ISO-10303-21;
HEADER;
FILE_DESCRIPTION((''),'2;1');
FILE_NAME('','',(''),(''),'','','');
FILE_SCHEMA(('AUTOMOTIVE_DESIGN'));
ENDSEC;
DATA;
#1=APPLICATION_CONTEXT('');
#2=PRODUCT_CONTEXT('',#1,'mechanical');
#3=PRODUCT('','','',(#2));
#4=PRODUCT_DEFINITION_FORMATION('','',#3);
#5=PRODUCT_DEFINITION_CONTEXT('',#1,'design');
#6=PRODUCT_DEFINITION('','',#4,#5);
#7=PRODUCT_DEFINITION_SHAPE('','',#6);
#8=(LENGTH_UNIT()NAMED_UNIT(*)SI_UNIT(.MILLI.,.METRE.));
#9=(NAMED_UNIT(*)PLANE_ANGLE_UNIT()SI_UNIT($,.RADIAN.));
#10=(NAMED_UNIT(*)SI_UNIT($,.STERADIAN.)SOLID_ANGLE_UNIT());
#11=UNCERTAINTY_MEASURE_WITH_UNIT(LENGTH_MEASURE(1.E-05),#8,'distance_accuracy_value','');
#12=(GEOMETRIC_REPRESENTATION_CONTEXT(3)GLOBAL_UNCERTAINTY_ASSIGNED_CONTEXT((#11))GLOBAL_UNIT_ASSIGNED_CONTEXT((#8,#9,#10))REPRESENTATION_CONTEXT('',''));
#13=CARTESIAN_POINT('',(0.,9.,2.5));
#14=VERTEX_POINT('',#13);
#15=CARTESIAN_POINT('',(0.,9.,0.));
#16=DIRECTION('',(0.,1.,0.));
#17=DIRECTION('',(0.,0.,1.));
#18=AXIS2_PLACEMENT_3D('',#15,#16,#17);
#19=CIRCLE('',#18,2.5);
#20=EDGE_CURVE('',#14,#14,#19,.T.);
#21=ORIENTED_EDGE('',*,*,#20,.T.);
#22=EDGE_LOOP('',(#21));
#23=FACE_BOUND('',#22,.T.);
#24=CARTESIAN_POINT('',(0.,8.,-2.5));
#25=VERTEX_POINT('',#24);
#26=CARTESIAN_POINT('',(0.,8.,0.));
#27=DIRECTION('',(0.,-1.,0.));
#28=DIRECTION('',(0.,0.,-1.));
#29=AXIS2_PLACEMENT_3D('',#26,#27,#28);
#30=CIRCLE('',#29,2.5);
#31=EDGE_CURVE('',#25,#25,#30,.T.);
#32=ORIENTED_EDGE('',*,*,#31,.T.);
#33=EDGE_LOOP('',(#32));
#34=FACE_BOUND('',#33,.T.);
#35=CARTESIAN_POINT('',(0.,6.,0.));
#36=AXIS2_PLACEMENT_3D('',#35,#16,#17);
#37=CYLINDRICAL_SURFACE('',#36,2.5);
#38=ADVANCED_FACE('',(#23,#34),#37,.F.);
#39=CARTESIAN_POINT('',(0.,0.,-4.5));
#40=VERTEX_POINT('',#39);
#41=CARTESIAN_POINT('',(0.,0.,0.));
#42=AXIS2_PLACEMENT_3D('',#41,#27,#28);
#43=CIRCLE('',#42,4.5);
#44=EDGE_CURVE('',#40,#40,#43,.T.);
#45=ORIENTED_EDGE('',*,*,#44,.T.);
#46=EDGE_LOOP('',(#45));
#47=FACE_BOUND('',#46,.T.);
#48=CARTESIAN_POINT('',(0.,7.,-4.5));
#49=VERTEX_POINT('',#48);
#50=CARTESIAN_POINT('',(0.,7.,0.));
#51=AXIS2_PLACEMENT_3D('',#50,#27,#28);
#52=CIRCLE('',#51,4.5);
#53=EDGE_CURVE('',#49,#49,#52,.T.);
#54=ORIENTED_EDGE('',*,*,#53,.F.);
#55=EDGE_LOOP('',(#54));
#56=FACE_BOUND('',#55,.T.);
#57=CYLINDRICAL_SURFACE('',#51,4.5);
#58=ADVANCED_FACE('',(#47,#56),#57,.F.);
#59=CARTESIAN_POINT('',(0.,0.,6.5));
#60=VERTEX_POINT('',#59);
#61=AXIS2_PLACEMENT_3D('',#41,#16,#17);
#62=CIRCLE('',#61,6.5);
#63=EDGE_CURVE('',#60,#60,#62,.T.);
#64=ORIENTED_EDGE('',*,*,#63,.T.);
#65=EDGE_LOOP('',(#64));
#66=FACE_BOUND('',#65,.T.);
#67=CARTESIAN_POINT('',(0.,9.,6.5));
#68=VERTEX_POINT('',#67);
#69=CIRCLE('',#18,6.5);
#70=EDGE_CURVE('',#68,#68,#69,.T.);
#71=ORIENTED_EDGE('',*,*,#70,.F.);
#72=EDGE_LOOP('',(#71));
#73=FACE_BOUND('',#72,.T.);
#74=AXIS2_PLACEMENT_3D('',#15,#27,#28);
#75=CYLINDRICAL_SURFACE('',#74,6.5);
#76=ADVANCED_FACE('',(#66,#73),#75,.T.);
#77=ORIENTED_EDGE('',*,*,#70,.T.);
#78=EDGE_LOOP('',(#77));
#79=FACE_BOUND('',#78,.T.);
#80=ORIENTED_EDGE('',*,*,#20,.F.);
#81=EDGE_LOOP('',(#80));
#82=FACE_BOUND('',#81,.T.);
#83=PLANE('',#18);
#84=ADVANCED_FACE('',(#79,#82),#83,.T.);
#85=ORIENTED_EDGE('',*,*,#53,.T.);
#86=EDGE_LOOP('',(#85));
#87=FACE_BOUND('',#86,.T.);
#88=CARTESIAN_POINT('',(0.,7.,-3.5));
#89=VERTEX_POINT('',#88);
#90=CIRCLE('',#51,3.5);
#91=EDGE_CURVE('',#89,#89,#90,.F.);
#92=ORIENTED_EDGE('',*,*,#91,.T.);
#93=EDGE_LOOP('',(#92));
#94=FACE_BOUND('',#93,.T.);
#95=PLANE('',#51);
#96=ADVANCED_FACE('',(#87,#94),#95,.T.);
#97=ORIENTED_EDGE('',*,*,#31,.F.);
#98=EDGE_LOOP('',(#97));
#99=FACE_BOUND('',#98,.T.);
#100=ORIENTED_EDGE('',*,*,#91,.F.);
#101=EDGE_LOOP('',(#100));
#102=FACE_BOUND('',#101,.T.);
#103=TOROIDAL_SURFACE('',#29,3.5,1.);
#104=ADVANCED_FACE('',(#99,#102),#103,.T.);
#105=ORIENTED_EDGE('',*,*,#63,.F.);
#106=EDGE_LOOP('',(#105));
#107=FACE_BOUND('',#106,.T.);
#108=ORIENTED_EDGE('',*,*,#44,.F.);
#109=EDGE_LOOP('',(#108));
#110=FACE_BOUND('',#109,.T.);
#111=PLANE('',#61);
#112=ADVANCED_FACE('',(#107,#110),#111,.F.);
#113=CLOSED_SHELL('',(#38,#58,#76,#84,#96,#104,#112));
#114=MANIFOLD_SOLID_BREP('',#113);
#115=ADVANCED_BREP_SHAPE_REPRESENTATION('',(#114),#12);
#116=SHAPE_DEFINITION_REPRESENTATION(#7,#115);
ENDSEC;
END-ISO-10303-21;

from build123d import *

# Parameters (mm, degrees)
SKETCH1_R           = 6.5
BOSS_EXTRUDE1_DEPTH = 9
SKETCH3_R           = 4.5
CUT_EXTRUDE1_DEPTH  = 7
SKETCH2_R           = 2.5
CUT_EXTRUDE2_DEPTH  = 3
FILLET2_R           = 1


with BuildPart() as part:
    # Sketch1 → Boss-Extrude1 (new body)
    with BuildSketch(Plane(origin=(0, 0, 0), x_dir=(1, 0, 0), z_dir=(0, 1, 0))):
        Circle(SKETCH1_R)
    extrude(amount=BOSS_EXTRUDE1_DEPTH)

    # Sketch3 → Cut-Extrude1 (cut)
    with BuildSketch(Plane.XZ):
        Circle(SKETCH3_R)
    extrude(amount=-CUT_EXTRUDE1_DEPTH, mode=Mode.SUBTRACT)

    # Sketch2 → Cut-Extrude2 (cut)
    with BuildSketch(Plane(origin=(0, 9, 0), x_dir=(1, 0, 0), z_dir=(0, 1, 0))):
        Circle(SKETCH2_R)
    extrude(amount=-CUT_EXTRUDE2_DEPTH, mode=Mode.SUBTRACT)

    # Fillet2
    fillet2_edges = [part.edges().sort_by_distance(p)[0] for p in [
        (-2.5, 7, 0),
    ]]
    fillet(fillet2_edges, radius=FILLET2_R)


solid = part.part
